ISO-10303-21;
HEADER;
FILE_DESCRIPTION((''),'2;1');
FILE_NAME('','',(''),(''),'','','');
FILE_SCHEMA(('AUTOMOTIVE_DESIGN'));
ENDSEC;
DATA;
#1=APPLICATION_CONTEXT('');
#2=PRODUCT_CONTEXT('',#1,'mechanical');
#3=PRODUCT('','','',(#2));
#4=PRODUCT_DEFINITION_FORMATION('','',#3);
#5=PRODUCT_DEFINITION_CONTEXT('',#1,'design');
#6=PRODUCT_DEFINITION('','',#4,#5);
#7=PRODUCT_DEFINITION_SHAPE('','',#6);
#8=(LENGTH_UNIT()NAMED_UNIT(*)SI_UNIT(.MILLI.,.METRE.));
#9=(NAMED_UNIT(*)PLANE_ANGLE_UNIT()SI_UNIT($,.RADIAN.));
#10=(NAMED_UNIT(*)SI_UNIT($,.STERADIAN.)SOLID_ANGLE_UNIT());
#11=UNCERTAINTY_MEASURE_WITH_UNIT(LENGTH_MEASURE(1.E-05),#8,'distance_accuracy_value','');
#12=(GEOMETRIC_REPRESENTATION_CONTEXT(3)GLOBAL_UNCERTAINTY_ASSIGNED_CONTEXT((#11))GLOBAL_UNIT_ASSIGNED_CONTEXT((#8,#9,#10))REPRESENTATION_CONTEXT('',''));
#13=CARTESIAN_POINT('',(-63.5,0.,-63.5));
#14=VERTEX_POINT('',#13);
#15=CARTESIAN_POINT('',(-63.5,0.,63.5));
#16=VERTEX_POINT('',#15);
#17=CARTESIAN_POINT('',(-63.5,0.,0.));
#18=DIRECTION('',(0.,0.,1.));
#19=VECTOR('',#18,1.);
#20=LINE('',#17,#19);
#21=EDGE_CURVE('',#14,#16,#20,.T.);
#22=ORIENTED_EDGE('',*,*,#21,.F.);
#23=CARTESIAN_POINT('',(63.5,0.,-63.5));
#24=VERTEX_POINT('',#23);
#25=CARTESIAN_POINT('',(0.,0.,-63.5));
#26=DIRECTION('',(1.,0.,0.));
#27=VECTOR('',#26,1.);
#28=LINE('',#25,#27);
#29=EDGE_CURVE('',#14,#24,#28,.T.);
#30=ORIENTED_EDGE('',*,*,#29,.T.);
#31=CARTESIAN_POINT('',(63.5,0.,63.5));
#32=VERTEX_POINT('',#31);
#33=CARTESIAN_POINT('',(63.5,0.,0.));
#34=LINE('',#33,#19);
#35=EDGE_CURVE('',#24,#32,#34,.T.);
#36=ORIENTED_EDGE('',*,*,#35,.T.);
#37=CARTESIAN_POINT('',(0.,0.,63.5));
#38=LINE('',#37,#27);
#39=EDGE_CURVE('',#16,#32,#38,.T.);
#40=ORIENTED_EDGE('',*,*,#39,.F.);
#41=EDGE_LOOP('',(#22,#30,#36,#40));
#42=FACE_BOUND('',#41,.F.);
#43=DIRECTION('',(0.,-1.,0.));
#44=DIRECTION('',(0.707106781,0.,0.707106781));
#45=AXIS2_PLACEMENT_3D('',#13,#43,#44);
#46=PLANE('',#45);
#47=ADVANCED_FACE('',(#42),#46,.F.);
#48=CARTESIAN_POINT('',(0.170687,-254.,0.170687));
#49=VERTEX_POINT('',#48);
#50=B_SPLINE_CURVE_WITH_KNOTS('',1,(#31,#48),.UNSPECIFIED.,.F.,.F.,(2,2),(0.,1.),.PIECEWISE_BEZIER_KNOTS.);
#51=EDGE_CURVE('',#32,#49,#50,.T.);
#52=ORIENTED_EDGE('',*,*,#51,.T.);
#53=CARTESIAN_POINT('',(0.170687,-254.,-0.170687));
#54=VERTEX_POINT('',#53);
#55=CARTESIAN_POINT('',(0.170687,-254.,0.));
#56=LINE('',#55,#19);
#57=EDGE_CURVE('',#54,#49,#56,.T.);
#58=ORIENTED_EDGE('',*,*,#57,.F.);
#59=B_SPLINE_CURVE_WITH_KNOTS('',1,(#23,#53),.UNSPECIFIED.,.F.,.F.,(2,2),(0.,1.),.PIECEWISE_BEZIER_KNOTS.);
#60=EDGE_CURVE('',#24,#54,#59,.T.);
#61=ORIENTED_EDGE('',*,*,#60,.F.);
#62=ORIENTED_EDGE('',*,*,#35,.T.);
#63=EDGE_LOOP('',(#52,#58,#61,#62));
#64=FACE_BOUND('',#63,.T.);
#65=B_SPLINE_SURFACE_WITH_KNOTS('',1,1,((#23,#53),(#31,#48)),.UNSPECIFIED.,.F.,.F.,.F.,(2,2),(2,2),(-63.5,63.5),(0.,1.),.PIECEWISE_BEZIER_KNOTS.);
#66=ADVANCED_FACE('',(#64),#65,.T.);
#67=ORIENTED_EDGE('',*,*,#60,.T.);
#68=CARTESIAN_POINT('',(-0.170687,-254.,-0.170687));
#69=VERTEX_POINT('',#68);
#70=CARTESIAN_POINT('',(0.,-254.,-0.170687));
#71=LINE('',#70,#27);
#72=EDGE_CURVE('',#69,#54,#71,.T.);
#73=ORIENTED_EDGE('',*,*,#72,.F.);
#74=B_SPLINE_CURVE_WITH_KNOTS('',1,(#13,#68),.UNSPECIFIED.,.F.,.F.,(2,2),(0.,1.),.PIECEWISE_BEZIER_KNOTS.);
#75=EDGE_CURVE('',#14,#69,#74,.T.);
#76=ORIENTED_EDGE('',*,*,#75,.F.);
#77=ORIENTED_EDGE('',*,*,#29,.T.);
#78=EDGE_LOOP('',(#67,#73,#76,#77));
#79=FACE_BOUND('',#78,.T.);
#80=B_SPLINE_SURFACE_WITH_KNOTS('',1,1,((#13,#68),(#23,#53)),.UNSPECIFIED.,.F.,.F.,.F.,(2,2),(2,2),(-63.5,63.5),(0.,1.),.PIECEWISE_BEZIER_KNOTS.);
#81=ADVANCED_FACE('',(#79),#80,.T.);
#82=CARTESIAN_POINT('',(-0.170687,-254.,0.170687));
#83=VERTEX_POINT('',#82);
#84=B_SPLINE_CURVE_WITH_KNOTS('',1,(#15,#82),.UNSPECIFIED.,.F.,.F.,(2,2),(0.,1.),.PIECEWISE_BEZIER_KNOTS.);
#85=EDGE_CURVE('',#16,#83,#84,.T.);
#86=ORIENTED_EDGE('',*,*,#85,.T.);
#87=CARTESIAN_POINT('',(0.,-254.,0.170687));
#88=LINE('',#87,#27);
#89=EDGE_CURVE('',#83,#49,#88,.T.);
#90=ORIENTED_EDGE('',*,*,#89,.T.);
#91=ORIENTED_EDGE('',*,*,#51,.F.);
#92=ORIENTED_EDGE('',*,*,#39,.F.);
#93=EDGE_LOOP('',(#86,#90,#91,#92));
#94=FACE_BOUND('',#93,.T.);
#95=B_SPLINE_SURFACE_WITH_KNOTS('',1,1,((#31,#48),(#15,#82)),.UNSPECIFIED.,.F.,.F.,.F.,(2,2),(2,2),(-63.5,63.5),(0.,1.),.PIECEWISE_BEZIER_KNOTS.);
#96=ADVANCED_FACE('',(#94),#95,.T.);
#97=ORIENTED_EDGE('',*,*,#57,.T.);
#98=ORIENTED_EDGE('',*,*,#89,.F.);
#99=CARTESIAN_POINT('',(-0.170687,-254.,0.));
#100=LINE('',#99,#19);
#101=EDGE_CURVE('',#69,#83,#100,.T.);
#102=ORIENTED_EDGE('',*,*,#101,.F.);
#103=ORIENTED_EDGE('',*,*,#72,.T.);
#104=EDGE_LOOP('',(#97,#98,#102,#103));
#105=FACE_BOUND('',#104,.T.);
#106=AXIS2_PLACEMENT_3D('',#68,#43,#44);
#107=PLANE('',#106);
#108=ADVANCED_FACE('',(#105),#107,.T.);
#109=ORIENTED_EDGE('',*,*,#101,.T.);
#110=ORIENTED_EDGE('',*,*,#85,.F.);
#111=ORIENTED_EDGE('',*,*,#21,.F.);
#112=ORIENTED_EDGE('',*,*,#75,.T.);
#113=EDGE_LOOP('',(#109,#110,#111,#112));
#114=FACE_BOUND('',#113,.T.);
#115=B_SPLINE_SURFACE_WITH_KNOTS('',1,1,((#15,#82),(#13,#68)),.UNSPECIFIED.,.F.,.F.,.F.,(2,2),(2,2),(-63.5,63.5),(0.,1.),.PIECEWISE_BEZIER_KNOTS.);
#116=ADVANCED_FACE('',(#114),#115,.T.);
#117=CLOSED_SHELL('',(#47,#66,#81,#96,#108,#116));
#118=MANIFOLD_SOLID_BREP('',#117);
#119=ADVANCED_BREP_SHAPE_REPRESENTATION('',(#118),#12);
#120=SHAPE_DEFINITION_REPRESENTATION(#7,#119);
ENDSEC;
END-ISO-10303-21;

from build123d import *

# Parameters (mm, degrees)
F0_W     = 127
F0_H     = 127
F1_DEPTH = 254
F1_TAPER = 14


with BuildPart() as f1:
    # F0 (on Front) → F1 (new body)
    with BuildSketch(Plane.XZ):
        Rectangle(F0_W, F0_H)
    extrude(amount=F1_DEPTH, taper=F1_TAPER)


solid = f1.part
